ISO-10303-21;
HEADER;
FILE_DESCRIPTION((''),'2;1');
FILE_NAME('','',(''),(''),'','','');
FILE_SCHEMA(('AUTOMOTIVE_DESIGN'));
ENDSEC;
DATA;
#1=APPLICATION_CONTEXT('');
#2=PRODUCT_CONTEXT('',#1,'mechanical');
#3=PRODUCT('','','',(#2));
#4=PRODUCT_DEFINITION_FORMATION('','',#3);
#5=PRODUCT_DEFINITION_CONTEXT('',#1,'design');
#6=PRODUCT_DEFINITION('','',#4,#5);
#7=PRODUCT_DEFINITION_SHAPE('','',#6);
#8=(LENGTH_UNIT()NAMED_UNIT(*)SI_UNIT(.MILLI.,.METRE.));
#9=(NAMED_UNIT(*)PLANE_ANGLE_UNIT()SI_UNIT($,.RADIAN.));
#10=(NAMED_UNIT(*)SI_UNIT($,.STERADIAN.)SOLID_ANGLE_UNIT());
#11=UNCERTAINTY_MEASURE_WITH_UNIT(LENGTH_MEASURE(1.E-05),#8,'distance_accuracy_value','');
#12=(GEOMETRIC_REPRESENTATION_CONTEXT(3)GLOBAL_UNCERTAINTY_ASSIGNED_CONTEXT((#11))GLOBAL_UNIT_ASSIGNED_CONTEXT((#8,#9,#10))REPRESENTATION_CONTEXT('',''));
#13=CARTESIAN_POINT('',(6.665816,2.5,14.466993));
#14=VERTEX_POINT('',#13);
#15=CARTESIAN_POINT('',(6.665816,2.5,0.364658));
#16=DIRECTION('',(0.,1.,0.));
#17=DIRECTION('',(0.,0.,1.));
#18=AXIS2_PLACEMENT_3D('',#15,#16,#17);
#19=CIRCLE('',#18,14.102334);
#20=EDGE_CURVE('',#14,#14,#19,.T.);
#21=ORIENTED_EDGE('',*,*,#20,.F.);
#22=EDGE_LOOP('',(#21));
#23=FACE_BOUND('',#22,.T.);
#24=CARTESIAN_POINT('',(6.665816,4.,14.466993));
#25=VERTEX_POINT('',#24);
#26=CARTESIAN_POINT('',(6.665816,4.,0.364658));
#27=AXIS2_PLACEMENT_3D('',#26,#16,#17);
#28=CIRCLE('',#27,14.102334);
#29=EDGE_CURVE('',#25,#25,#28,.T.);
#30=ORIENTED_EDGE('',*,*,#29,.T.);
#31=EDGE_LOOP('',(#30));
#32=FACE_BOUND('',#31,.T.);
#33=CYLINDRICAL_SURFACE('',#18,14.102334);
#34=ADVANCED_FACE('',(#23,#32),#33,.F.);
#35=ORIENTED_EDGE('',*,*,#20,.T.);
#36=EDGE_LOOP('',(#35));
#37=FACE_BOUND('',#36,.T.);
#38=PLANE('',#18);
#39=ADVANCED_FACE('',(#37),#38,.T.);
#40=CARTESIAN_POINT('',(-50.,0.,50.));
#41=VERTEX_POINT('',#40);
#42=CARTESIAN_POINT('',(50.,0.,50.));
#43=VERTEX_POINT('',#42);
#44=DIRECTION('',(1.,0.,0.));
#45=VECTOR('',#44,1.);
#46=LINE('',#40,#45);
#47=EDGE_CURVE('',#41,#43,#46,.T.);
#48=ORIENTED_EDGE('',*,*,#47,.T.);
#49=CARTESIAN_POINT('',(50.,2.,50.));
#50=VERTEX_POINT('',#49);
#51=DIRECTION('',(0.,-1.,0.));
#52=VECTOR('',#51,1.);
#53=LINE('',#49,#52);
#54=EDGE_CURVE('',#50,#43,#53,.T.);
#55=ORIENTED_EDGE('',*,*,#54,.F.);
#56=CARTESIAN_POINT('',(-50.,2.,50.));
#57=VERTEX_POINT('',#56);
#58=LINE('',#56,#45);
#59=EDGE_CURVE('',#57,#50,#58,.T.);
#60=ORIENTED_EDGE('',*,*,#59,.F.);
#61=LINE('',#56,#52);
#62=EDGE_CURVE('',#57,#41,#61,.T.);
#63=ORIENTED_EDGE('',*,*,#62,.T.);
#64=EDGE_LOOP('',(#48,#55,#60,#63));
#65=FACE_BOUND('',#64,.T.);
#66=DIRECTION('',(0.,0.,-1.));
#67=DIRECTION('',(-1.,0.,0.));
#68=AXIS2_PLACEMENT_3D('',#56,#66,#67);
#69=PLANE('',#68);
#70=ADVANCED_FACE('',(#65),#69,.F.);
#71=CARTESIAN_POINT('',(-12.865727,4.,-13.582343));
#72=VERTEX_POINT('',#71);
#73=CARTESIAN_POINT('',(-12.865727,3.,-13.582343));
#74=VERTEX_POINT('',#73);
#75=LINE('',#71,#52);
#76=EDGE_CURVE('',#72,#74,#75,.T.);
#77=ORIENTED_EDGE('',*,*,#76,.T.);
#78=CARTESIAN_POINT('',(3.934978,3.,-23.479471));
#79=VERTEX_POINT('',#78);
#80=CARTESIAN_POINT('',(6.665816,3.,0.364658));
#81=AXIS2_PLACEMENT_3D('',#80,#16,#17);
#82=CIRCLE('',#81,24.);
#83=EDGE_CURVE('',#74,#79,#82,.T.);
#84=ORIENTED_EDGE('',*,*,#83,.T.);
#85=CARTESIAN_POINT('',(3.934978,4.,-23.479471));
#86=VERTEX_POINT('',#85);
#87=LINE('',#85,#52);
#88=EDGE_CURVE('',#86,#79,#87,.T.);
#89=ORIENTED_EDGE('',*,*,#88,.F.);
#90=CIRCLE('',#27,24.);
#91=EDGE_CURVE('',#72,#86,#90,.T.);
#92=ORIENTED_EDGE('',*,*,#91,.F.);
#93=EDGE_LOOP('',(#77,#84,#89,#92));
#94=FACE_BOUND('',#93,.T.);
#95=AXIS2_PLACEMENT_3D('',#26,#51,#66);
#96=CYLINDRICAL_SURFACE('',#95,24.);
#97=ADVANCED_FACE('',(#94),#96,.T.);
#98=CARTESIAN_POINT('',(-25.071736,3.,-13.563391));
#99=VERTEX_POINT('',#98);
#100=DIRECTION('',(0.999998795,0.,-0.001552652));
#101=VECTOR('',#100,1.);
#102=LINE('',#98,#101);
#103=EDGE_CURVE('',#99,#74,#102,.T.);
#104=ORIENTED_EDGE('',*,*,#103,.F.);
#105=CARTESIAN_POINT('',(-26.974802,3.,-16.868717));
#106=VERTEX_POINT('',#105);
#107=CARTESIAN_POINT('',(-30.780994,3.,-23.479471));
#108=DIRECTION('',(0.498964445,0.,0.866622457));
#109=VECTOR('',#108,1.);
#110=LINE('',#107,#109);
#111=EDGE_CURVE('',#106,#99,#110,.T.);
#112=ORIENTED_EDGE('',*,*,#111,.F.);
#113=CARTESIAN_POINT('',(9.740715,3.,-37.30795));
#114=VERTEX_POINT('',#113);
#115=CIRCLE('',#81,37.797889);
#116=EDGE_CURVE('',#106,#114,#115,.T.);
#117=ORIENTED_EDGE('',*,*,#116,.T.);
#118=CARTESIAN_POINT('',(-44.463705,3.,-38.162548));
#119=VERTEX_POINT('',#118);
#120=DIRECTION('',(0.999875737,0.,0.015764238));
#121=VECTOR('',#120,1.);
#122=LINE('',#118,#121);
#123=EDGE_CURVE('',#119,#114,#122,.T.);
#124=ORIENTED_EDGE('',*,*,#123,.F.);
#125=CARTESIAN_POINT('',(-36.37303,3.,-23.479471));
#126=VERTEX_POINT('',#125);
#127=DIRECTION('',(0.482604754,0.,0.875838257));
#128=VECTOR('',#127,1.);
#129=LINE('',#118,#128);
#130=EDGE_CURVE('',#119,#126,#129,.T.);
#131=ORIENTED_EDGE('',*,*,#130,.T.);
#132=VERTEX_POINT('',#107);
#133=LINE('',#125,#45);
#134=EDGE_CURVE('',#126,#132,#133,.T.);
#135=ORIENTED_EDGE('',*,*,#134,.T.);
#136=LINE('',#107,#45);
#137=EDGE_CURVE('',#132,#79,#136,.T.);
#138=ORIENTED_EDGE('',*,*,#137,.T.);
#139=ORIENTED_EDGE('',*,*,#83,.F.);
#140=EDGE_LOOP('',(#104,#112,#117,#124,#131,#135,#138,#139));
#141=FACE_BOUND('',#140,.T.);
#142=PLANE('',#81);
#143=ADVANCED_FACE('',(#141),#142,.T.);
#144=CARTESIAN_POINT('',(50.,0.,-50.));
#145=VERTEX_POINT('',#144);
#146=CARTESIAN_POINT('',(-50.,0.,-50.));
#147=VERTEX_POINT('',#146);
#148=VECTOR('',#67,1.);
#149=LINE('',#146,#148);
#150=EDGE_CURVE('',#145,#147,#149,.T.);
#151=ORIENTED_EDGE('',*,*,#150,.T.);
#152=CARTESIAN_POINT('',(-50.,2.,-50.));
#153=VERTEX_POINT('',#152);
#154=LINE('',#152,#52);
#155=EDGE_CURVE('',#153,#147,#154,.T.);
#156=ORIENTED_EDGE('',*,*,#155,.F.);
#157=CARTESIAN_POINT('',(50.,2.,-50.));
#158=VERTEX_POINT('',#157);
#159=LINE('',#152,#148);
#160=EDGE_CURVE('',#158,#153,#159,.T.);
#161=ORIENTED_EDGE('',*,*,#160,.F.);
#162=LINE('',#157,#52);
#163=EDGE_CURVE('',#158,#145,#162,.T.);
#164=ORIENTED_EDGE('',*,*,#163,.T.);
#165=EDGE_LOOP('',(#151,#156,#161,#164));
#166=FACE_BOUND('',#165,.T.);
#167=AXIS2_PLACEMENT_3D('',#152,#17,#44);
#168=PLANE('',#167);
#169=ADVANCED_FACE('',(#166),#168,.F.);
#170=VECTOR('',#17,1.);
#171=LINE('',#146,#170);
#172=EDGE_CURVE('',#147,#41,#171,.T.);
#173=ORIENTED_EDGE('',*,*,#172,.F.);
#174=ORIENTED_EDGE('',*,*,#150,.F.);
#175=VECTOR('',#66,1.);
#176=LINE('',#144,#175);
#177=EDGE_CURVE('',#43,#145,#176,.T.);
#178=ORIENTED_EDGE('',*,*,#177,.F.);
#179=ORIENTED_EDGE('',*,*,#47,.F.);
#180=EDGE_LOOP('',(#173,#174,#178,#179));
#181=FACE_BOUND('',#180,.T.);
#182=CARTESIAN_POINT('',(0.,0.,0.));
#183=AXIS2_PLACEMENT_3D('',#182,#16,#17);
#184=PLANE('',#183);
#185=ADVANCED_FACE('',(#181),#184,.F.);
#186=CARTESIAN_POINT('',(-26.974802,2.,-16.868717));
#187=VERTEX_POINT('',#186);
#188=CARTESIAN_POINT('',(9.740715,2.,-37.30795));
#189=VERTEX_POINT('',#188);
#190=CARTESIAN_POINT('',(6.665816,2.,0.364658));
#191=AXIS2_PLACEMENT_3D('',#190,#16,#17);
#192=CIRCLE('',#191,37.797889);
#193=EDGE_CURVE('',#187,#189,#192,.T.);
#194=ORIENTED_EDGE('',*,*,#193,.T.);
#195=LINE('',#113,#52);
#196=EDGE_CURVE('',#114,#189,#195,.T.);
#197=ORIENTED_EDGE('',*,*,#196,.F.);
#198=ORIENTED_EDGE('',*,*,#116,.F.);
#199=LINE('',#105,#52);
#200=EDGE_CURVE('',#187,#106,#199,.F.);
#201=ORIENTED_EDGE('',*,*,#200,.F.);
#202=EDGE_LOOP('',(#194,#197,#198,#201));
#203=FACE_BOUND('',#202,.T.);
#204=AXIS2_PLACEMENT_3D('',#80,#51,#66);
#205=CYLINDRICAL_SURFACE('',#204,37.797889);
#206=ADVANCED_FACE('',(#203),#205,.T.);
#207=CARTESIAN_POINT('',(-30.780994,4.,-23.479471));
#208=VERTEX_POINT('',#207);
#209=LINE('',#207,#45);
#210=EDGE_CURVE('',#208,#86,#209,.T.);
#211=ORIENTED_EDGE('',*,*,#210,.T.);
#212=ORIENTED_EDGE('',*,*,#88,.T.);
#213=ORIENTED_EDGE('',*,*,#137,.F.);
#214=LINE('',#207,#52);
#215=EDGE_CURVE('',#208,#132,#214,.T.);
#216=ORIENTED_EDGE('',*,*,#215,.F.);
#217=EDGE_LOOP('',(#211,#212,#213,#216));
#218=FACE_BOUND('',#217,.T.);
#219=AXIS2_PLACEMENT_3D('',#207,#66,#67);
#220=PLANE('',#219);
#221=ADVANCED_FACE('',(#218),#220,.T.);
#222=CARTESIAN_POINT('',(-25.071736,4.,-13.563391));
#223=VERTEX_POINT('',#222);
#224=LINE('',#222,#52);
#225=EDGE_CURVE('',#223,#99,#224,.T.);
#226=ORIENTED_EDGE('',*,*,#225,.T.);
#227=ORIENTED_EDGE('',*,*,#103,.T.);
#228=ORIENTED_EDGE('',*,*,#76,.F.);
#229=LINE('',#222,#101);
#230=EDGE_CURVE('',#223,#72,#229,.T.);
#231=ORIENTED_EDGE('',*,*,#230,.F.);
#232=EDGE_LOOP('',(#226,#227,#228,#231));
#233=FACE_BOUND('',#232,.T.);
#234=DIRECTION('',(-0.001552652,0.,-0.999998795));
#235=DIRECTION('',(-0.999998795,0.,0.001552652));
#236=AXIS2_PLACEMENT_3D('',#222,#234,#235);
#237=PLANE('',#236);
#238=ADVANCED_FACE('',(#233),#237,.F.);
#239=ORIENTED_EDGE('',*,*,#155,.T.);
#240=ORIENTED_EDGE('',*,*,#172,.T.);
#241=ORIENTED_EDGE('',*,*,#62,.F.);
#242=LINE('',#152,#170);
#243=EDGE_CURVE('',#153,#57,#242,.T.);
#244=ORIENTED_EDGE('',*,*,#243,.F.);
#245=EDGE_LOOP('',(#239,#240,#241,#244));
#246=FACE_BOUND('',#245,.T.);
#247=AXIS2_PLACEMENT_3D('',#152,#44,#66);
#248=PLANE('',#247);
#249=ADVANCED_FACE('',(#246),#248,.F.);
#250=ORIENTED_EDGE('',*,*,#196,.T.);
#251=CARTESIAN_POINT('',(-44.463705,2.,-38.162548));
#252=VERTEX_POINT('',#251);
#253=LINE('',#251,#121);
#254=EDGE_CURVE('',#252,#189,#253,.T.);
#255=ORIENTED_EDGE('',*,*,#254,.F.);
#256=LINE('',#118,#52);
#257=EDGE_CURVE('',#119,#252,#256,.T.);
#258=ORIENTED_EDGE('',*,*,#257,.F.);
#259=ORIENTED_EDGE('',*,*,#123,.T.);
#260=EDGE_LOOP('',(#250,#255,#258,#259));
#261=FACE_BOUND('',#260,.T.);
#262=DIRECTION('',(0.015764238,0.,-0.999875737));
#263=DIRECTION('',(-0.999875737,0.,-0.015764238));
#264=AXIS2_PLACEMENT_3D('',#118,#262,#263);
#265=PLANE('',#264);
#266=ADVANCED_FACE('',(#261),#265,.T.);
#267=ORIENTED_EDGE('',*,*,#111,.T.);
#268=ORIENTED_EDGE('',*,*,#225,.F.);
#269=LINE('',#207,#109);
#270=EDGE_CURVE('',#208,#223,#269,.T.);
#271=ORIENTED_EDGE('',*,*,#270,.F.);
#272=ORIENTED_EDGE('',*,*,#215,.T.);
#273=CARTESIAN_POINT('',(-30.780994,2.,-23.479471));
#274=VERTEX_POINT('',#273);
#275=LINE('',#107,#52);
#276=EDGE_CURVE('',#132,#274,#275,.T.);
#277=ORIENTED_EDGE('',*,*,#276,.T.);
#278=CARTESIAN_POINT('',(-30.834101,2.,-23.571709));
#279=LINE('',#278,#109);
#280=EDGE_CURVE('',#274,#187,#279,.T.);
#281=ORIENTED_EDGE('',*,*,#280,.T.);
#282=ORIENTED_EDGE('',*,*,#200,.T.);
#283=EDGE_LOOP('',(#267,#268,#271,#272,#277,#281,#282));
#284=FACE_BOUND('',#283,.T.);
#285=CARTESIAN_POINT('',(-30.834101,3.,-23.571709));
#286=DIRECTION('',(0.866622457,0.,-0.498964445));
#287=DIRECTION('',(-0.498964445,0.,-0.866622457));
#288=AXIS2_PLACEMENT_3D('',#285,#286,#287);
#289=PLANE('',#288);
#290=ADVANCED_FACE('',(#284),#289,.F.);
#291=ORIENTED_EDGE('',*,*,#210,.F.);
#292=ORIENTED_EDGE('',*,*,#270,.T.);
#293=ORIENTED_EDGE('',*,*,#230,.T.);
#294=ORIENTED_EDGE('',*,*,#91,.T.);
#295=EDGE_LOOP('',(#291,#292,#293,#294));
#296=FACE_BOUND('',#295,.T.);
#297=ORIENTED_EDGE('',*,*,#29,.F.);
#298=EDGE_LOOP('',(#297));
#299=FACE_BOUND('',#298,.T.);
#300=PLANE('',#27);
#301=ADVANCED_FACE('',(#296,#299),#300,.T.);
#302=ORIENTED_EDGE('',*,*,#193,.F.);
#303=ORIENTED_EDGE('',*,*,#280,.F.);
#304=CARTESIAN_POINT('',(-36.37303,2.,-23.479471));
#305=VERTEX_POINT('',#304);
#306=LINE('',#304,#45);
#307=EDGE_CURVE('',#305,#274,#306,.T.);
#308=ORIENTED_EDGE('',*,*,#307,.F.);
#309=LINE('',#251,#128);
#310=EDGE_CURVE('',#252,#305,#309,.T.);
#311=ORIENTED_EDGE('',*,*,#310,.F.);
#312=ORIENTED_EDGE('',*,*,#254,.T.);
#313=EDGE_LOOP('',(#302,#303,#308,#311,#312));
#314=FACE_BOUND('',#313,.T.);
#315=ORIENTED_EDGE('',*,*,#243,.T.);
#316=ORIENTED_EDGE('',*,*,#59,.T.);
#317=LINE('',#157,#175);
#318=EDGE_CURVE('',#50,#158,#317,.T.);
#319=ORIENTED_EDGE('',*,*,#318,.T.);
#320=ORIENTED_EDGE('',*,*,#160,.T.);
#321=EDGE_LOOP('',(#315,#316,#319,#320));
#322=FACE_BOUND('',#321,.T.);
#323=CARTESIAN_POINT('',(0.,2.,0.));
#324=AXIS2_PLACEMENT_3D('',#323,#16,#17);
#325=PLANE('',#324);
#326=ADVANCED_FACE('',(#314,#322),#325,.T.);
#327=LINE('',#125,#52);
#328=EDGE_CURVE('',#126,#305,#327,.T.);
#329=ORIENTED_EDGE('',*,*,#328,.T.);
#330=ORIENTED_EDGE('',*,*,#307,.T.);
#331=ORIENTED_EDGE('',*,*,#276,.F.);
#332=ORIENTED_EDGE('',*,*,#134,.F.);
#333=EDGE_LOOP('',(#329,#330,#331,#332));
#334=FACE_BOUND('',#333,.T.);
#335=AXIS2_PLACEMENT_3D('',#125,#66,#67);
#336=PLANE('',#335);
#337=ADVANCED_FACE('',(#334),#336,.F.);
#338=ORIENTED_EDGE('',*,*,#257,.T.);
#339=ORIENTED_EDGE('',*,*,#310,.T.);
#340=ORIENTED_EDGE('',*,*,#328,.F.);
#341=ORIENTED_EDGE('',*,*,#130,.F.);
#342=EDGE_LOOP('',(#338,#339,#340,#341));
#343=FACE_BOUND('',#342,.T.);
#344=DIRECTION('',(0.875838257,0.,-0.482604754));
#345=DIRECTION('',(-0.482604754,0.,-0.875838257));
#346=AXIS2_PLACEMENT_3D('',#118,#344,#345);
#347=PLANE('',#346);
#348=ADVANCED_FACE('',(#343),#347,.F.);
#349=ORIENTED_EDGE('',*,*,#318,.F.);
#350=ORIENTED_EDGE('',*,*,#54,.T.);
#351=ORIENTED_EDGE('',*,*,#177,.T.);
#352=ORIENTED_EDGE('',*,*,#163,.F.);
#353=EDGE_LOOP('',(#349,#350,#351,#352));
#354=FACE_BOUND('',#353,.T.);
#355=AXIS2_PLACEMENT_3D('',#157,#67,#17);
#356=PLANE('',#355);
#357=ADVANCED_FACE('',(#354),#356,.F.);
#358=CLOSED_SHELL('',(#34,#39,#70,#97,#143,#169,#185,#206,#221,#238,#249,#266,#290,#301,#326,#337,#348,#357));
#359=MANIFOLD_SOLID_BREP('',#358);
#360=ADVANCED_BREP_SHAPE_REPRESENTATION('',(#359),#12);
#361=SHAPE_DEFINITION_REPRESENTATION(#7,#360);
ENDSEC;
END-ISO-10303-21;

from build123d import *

# Parameters (mm, degrees)
SKETCH1_W           = 100
SKETCH1_H           = 100
BOSS_EXTRUDE1_DEPTH = 2
BOSS_EXTRUDE2_DEPTH = 1
BOSS_EXTRUDE5_DEPTH = 1
SKETCH10_R          = 14.102334265
CUT_EXTRUDE1_DEPTH  = 1.5


with BuildPart() as part:
    # Sketch1 → Boss-Extrude1 (new body)
    with BuildSketch(Plane(origin=(0, 0, 0), x_dir=(1, 0, 0), z_dir=(0, 1, 0))):
        Rectangle(SKETCH1_W, SKETCH1_H)
    extrude(amount=BOSS_EXTRUDE1_DEPTH)

    # Inner Lines Incorrect → Boss-Extrude2 (add)
    with BuildSketch(Plane(origin=(0, 2, 0), x_dir=(-1, 0, 0), z_dir=(0, 1, 0))):
        with BuildLine():
            Line((-9.740714552, -37.307950056), (44.463704926, -38.16254763))
            Line((44.463704926, -38.16254763), (36.373030269, -23.4794714))
            Line((36.373030269, -23.4794714), (30.780994203, -23.4794714))
            Line((30.780994203, -23.4794714), (26.974802478, -16.868717352))
            ThreePointArc((26.974802478, -16.868717352), (-25.050764907, 33.390013397), (-9.740714552, -37.307950056))
        make_face()
    extrude(amount=BOSS_EXTRUDE2_DEPTH)

    # Perfect Trace FT Logo → Boss-Extrude5 (add)
    with BuildSketch(Plane(origin=(0, 3, 0), x_dir=(-1, 0, 0), z_dir=(0, 1, 0))):
        with BuildLine():
            Line((30.780994203, -23.4794714), (25.071735693, -13.56339083))
            Line((25.071735693, -13.56339083), (12.86572713, -13.582342535))
            ThreePointArc((12.86572713, -13.582342535), (-18.847428313, 21.043350665), (-3.934978039, -23.4794714))
            Line((-3.934978039, -23.4794714), (30.780994203, -23.4794714))
        make_face()
    extrude(amount=BOSS_EXTRUDE5_DEPTH)

    # Sketch10 → Cut-Extrude1 (cut)
    with BuildSketch(Plane(origin=(0, 4, 0), x_dir=(1, 0, 0), z_dir=(0, 1, 0))):
        with Locations(Location((6.665815692, -0.364658396, 0), (0, 0, 270))):
            Circle(SKETCH10_R)
    extrude(amount=-CUT_EXTRUDE1_DEPTH, mode=Mode.SUBTRACT)


solid = part.part
